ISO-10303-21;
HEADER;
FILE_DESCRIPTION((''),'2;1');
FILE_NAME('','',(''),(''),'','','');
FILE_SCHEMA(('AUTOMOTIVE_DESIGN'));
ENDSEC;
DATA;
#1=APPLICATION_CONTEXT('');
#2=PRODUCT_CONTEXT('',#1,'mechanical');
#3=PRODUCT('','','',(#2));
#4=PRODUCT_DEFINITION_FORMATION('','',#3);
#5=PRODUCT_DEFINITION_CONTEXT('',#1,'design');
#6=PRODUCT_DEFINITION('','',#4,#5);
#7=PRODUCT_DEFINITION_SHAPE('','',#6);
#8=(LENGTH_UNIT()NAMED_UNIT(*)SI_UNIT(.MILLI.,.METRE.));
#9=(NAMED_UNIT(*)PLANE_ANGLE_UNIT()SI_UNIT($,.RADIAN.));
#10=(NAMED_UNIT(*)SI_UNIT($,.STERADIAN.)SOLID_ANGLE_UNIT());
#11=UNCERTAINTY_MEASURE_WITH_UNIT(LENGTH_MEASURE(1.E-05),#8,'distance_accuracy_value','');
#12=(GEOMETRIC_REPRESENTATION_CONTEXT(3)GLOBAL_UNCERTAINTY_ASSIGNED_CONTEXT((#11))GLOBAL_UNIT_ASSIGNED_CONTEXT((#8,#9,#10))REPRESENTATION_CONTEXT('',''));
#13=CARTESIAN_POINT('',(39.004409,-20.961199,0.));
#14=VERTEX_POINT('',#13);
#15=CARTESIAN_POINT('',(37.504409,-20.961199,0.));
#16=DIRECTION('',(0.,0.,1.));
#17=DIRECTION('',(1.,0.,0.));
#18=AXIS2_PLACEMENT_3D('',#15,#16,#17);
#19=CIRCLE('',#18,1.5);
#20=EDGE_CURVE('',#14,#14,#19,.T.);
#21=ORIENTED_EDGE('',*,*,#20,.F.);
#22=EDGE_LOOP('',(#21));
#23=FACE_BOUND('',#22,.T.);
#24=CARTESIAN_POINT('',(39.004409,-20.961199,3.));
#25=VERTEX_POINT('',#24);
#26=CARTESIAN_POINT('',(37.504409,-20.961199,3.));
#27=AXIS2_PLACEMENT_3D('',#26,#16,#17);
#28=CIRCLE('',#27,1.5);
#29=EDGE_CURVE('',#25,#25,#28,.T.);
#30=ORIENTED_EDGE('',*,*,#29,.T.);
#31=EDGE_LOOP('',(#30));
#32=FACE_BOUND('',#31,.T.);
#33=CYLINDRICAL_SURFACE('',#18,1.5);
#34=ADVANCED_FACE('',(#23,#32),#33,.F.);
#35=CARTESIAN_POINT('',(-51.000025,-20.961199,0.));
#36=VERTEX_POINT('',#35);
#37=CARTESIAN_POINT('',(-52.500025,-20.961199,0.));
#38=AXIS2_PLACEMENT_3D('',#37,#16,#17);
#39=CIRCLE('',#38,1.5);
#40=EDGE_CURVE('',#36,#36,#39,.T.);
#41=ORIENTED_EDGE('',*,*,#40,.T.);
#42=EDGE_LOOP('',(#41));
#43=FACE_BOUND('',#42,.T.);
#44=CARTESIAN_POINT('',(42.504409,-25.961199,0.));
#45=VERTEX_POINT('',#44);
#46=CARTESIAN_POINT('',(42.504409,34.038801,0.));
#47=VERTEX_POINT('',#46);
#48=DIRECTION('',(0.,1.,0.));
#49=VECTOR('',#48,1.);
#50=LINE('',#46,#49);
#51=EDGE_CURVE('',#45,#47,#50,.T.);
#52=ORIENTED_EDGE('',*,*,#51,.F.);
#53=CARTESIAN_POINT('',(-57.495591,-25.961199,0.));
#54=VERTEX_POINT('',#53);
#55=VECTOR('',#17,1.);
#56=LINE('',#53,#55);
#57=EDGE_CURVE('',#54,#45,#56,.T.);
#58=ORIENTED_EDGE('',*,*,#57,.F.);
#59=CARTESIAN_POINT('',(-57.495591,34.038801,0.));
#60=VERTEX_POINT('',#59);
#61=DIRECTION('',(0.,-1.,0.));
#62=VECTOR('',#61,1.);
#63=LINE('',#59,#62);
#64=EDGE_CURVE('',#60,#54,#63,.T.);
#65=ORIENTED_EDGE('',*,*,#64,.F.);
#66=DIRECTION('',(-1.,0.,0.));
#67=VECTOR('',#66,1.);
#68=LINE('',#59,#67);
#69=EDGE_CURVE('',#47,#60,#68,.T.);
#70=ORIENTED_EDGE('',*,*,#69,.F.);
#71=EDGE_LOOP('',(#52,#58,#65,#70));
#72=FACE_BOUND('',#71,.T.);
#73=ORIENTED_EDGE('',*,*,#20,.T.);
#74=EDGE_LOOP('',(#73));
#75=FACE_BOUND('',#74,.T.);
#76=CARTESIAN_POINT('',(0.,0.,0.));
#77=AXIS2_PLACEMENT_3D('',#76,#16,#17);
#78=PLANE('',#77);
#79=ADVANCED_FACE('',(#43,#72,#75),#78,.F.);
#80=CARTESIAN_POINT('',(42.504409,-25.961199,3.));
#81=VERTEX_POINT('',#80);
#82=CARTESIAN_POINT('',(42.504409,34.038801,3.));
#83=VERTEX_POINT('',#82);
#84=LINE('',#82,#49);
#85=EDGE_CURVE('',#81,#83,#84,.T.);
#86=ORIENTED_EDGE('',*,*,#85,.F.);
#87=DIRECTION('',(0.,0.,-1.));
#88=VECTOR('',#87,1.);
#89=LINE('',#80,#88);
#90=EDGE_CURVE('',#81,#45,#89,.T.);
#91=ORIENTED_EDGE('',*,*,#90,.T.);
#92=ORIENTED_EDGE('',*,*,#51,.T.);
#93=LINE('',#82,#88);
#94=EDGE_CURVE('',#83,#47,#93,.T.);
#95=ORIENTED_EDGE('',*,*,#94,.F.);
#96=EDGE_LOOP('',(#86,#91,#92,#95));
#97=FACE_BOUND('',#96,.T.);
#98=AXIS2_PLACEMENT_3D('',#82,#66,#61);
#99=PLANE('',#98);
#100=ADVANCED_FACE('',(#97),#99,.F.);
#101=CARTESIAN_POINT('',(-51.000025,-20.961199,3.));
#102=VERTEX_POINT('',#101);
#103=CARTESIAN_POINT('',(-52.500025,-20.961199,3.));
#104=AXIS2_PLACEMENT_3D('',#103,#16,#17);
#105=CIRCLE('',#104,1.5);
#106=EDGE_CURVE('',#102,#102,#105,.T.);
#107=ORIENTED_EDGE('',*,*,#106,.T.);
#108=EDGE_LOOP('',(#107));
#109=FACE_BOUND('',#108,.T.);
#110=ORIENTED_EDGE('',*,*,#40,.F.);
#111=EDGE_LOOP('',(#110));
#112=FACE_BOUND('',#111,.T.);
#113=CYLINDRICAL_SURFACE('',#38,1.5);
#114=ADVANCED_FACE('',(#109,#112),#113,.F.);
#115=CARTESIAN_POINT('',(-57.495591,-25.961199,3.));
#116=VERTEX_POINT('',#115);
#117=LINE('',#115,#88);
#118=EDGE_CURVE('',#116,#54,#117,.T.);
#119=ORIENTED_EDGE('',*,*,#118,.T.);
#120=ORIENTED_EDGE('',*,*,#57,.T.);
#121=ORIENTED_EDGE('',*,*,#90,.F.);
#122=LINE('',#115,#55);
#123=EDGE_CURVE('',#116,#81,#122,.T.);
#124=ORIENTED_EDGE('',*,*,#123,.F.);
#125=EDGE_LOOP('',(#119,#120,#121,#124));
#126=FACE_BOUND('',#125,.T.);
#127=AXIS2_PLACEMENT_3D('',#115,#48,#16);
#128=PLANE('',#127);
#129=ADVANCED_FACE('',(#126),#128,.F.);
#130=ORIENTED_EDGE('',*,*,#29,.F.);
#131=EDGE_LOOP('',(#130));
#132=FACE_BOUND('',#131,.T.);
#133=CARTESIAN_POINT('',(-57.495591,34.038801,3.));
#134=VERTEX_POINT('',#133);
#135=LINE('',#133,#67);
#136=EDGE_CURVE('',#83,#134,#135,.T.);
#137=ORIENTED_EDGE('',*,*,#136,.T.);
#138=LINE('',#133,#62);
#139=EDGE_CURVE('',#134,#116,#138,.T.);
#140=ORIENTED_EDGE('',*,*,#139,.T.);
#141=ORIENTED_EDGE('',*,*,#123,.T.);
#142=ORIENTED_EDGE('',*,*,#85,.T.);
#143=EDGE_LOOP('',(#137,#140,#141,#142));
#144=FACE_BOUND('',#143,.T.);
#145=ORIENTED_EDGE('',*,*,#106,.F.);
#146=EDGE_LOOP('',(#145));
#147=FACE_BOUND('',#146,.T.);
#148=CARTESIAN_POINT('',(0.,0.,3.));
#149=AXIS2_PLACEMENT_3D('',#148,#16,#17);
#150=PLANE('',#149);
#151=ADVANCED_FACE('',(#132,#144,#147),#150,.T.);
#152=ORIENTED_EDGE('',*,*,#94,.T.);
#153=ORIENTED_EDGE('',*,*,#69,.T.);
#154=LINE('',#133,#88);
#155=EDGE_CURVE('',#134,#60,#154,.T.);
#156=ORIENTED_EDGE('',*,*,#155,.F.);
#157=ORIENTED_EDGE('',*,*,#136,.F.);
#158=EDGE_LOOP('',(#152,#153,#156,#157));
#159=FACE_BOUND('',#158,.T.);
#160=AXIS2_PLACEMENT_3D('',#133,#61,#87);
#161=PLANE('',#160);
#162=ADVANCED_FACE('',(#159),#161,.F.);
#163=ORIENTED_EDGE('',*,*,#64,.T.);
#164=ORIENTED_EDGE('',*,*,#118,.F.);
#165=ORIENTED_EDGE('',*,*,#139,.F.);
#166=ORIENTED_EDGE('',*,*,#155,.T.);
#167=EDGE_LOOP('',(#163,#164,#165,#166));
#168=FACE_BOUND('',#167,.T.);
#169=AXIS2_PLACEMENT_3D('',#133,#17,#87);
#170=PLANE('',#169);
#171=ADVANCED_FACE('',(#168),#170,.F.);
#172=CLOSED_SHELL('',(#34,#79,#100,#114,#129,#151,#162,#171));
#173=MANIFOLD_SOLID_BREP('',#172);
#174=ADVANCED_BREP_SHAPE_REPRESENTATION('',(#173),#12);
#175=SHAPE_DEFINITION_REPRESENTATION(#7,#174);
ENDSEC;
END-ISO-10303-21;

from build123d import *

# Parameters (mm, degrees)
SKETCH1_W           = 100
SKETCH1_H           = 60
BOSS_EXTRUDE1_DEPTH = 3
SKETCH2_R           = 1.5
CUT_EXTRUDE1_DEPTH  = 3


with BuildPart() as part:
    # Sketch1 → Boss-Extrude1 (new body)
    with BuildSketch(Plane.XY):
        with Locations((-7.495590829, 4.038800705)):
            Rectangle(SKETCH1_W, SKETCH1_H)
    extrude(amount=BOSS_EXTRUDE1_DEPTH)

    # Sketch2 → Cut-Extrude1 (cut)
    with BuildSketch(Plane.XY.offset(3)):
        with Locations((37.504409171, -20.961199295)):
            Circle(SKETCH2_R)
        with Locations((-52.500025419, -20.961199295)):
            Circle(SKETCH2_R)
    extrude(amount=-CUT_EXTRUDE1_DEPTH, mode=Mode.SUBTRACT)


solid = part.part
